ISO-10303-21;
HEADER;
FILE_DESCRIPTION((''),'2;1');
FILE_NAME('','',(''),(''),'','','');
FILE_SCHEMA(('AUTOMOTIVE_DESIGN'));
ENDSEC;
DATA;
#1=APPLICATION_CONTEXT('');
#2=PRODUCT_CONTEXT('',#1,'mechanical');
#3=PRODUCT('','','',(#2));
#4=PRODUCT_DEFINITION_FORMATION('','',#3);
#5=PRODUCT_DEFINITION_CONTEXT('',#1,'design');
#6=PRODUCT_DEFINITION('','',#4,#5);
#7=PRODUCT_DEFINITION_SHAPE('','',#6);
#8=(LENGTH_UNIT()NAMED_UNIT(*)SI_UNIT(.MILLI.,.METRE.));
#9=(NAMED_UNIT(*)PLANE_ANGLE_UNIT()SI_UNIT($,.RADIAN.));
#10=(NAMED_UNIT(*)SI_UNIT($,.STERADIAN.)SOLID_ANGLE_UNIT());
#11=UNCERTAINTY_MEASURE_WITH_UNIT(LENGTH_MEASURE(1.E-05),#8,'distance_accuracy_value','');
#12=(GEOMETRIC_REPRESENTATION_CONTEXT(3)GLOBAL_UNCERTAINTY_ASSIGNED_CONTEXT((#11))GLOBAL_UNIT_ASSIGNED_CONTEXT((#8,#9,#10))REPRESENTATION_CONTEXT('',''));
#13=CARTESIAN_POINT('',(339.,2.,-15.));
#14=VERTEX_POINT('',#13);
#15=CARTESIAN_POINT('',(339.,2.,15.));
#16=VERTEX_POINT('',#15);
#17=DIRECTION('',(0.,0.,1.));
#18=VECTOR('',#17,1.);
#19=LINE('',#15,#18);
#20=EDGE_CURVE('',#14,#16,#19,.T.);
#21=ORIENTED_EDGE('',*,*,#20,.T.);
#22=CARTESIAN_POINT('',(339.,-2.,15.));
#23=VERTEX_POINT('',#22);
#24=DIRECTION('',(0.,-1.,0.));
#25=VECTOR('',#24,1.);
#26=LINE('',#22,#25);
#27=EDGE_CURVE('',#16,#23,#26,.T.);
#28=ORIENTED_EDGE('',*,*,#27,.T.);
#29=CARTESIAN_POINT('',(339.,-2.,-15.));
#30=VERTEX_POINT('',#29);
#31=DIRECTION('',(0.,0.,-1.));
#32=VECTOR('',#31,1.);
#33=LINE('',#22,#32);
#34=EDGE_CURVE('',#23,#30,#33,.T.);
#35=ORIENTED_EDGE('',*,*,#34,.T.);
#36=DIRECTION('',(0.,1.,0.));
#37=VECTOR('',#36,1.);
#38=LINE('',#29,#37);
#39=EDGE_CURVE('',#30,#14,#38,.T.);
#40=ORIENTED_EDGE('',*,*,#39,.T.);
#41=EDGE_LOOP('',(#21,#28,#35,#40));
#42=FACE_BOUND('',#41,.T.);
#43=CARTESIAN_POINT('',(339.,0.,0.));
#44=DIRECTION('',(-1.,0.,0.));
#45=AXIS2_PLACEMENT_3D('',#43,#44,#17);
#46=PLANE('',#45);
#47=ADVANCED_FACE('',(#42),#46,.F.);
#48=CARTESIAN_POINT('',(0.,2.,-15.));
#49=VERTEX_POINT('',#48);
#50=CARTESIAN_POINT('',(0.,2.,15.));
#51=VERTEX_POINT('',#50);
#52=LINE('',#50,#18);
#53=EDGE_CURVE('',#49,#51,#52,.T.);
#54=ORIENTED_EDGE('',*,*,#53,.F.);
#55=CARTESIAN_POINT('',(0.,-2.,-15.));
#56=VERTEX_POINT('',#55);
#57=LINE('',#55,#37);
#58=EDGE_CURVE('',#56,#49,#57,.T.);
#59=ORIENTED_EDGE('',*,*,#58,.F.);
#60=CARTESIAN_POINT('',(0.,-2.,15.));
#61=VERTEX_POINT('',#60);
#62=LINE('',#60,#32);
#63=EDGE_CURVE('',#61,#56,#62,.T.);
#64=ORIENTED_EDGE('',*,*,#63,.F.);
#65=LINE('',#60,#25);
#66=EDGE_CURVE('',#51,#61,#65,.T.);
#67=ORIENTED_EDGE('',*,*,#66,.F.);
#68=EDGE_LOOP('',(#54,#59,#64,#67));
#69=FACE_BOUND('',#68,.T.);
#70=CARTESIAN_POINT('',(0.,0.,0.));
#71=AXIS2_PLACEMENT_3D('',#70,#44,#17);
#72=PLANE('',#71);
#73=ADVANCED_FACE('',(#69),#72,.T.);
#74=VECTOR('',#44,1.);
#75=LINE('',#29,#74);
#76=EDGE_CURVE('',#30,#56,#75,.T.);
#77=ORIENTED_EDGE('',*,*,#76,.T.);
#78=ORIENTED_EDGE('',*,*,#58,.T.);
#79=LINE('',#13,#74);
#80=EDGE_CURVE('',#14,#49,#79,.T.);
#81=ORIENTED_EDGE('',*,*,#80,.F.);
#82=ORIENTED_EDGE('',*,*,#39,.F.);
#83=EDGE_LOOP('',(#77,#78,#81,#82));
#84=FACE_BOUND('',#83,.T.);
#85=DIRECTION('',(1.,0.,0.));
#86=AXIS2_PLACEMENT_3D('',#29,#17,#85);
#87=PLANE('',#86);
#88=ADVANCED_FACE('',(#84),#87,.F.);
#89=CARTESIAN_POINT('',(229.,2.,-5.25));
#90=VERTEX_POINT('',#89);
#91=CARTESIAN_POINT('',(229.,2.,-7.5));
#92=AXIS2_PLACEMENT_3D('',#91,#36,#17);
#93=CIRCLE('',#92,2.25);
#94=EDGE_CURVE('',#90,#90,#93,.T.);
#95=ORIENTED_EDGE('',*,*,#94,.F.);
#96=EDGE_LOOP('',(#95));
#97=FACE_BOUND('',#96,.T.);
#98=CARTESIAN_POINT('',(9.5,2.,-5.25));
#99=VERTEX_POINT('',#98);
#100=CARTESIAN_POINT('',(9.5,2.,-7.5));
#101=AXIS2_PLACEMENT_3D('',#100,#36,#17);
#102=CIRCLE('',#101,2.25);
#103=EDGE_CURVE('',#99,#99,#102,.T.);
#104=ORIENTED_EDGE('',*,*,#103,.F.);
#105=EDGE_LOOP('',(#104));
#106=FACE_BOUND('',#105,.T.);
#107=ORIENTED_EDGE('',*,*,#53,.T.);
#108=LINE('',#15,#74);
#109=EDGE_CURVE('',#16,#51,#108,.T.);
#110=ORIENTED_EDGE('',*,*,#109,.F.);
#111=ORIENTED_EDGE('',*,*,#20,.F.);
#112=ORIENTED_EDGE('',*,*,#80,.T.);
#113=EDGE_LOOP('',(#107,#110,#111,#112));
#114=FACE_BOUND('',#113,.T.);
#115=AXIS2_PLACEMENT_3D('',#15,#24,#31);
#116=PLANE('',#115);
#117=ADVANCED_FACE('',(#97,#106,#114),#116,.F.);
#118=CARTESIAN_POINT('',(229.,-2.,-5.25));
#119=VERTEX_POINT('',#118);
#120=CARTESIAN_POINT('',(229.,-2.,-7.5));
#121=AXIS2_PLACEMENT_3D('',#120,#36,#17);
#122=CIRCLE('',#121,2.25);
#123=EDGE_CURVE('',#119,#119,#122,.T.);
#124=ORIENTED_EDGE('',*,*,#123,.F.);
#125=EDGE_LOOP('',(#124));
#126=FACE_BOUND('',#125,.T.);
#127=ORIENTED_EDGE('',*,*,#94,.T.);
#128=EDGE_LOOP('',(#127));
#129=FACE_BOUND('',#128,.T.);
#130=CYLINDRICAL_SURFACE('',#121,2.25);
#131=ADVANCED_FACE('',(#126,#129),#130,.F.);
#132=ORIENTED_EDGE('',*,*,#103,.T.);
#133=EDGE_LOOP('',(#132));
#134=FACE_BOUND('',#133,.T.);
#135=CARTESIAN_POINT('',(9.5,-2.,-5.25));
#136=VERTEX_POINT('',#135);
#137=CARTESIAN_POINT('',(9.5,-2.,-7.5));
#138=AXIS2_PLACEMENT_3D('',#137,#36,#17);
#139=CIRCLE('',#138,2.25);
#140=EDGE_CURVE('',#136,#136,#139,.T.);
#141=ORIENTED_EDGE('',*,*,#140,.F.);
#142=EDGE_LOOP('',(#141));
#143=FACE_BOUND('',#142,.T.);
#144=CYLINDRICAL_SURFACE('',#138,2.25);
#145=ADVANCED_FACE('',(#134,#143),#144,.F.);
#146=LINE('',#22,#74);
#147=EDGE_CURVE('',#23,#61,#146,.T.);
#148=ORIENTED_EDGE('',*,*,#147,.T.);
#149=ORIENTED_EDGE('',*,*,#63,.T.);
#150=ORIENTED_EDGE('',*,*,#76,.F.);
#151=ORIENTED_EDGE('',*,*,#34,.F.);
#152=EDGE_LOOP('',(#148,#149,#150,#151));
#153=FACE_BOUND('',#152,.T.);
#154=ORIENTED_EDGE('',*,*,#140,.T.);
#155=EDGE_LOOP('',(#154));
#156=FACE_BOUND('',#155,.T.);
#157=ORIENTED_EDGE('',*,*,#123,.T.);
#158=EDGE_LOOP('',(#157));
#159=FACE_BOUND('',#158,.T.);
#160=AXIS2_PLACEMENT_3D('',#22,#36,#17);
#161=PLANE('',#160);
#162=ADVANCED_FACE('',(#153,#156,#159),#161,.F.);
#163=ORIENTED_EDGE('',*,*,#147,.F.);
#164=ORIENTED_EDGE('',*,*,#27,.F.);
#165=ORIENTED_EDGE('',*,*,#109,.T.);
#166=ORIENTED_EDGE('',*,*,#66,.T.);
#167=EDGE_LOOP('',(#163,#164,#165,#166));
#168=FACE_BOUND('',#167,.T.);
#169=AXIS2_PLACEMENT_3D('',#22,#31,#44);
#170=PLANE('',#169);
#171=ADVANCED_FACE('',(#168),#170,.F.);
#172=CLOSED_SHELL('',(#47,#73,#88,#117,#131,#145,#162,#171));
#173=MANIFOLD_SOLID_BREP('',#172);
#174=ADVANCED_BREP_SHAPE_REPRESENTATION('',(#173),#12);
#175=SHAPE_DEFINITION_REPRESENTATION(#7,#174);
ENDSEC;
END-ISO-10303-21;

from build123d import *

# Parameters (mm, degrees)
SKETCH_1_W          = 30
SKETCH_1_H          = 4
EXTRUDE_1_DEPTH     = 339
SKETCH_2_R          = 2.25
CUT_EXTRUDE_1_DEPTH = 5


with BuildPart() as part:
    # Эскиз1 → Бобышка-Вытянуть1 (new body)
    with BuildSketch(Plane(origin=(0, 0, 0), x_dir=(0, 0, -1), z_dir=(1, 0, 0))):
        Rectangle(SKETCH_1_W, SKETCH_1_H)
    extrude(amount=EXTRUDE_1_DEPTH)

    # Эскиз2 → Вырез-Вытянуть1 (cut, through all)
    with BuildSketch(Plane(origin=(0, 2, 0), x_dir=(1, 0, 0), z_dir=(0, 1, 0))):
        with Locations((9.5, 7.5)):
            Circle(SKETCH_2_R)
        with Locations((229, 7.5)):
            Circle(SKETCH_2_R)
    extrude(amount=-CUT_EXTRUDE_1_DEPTH, mode=Mode.SUBTRACT)


solid = part.part
